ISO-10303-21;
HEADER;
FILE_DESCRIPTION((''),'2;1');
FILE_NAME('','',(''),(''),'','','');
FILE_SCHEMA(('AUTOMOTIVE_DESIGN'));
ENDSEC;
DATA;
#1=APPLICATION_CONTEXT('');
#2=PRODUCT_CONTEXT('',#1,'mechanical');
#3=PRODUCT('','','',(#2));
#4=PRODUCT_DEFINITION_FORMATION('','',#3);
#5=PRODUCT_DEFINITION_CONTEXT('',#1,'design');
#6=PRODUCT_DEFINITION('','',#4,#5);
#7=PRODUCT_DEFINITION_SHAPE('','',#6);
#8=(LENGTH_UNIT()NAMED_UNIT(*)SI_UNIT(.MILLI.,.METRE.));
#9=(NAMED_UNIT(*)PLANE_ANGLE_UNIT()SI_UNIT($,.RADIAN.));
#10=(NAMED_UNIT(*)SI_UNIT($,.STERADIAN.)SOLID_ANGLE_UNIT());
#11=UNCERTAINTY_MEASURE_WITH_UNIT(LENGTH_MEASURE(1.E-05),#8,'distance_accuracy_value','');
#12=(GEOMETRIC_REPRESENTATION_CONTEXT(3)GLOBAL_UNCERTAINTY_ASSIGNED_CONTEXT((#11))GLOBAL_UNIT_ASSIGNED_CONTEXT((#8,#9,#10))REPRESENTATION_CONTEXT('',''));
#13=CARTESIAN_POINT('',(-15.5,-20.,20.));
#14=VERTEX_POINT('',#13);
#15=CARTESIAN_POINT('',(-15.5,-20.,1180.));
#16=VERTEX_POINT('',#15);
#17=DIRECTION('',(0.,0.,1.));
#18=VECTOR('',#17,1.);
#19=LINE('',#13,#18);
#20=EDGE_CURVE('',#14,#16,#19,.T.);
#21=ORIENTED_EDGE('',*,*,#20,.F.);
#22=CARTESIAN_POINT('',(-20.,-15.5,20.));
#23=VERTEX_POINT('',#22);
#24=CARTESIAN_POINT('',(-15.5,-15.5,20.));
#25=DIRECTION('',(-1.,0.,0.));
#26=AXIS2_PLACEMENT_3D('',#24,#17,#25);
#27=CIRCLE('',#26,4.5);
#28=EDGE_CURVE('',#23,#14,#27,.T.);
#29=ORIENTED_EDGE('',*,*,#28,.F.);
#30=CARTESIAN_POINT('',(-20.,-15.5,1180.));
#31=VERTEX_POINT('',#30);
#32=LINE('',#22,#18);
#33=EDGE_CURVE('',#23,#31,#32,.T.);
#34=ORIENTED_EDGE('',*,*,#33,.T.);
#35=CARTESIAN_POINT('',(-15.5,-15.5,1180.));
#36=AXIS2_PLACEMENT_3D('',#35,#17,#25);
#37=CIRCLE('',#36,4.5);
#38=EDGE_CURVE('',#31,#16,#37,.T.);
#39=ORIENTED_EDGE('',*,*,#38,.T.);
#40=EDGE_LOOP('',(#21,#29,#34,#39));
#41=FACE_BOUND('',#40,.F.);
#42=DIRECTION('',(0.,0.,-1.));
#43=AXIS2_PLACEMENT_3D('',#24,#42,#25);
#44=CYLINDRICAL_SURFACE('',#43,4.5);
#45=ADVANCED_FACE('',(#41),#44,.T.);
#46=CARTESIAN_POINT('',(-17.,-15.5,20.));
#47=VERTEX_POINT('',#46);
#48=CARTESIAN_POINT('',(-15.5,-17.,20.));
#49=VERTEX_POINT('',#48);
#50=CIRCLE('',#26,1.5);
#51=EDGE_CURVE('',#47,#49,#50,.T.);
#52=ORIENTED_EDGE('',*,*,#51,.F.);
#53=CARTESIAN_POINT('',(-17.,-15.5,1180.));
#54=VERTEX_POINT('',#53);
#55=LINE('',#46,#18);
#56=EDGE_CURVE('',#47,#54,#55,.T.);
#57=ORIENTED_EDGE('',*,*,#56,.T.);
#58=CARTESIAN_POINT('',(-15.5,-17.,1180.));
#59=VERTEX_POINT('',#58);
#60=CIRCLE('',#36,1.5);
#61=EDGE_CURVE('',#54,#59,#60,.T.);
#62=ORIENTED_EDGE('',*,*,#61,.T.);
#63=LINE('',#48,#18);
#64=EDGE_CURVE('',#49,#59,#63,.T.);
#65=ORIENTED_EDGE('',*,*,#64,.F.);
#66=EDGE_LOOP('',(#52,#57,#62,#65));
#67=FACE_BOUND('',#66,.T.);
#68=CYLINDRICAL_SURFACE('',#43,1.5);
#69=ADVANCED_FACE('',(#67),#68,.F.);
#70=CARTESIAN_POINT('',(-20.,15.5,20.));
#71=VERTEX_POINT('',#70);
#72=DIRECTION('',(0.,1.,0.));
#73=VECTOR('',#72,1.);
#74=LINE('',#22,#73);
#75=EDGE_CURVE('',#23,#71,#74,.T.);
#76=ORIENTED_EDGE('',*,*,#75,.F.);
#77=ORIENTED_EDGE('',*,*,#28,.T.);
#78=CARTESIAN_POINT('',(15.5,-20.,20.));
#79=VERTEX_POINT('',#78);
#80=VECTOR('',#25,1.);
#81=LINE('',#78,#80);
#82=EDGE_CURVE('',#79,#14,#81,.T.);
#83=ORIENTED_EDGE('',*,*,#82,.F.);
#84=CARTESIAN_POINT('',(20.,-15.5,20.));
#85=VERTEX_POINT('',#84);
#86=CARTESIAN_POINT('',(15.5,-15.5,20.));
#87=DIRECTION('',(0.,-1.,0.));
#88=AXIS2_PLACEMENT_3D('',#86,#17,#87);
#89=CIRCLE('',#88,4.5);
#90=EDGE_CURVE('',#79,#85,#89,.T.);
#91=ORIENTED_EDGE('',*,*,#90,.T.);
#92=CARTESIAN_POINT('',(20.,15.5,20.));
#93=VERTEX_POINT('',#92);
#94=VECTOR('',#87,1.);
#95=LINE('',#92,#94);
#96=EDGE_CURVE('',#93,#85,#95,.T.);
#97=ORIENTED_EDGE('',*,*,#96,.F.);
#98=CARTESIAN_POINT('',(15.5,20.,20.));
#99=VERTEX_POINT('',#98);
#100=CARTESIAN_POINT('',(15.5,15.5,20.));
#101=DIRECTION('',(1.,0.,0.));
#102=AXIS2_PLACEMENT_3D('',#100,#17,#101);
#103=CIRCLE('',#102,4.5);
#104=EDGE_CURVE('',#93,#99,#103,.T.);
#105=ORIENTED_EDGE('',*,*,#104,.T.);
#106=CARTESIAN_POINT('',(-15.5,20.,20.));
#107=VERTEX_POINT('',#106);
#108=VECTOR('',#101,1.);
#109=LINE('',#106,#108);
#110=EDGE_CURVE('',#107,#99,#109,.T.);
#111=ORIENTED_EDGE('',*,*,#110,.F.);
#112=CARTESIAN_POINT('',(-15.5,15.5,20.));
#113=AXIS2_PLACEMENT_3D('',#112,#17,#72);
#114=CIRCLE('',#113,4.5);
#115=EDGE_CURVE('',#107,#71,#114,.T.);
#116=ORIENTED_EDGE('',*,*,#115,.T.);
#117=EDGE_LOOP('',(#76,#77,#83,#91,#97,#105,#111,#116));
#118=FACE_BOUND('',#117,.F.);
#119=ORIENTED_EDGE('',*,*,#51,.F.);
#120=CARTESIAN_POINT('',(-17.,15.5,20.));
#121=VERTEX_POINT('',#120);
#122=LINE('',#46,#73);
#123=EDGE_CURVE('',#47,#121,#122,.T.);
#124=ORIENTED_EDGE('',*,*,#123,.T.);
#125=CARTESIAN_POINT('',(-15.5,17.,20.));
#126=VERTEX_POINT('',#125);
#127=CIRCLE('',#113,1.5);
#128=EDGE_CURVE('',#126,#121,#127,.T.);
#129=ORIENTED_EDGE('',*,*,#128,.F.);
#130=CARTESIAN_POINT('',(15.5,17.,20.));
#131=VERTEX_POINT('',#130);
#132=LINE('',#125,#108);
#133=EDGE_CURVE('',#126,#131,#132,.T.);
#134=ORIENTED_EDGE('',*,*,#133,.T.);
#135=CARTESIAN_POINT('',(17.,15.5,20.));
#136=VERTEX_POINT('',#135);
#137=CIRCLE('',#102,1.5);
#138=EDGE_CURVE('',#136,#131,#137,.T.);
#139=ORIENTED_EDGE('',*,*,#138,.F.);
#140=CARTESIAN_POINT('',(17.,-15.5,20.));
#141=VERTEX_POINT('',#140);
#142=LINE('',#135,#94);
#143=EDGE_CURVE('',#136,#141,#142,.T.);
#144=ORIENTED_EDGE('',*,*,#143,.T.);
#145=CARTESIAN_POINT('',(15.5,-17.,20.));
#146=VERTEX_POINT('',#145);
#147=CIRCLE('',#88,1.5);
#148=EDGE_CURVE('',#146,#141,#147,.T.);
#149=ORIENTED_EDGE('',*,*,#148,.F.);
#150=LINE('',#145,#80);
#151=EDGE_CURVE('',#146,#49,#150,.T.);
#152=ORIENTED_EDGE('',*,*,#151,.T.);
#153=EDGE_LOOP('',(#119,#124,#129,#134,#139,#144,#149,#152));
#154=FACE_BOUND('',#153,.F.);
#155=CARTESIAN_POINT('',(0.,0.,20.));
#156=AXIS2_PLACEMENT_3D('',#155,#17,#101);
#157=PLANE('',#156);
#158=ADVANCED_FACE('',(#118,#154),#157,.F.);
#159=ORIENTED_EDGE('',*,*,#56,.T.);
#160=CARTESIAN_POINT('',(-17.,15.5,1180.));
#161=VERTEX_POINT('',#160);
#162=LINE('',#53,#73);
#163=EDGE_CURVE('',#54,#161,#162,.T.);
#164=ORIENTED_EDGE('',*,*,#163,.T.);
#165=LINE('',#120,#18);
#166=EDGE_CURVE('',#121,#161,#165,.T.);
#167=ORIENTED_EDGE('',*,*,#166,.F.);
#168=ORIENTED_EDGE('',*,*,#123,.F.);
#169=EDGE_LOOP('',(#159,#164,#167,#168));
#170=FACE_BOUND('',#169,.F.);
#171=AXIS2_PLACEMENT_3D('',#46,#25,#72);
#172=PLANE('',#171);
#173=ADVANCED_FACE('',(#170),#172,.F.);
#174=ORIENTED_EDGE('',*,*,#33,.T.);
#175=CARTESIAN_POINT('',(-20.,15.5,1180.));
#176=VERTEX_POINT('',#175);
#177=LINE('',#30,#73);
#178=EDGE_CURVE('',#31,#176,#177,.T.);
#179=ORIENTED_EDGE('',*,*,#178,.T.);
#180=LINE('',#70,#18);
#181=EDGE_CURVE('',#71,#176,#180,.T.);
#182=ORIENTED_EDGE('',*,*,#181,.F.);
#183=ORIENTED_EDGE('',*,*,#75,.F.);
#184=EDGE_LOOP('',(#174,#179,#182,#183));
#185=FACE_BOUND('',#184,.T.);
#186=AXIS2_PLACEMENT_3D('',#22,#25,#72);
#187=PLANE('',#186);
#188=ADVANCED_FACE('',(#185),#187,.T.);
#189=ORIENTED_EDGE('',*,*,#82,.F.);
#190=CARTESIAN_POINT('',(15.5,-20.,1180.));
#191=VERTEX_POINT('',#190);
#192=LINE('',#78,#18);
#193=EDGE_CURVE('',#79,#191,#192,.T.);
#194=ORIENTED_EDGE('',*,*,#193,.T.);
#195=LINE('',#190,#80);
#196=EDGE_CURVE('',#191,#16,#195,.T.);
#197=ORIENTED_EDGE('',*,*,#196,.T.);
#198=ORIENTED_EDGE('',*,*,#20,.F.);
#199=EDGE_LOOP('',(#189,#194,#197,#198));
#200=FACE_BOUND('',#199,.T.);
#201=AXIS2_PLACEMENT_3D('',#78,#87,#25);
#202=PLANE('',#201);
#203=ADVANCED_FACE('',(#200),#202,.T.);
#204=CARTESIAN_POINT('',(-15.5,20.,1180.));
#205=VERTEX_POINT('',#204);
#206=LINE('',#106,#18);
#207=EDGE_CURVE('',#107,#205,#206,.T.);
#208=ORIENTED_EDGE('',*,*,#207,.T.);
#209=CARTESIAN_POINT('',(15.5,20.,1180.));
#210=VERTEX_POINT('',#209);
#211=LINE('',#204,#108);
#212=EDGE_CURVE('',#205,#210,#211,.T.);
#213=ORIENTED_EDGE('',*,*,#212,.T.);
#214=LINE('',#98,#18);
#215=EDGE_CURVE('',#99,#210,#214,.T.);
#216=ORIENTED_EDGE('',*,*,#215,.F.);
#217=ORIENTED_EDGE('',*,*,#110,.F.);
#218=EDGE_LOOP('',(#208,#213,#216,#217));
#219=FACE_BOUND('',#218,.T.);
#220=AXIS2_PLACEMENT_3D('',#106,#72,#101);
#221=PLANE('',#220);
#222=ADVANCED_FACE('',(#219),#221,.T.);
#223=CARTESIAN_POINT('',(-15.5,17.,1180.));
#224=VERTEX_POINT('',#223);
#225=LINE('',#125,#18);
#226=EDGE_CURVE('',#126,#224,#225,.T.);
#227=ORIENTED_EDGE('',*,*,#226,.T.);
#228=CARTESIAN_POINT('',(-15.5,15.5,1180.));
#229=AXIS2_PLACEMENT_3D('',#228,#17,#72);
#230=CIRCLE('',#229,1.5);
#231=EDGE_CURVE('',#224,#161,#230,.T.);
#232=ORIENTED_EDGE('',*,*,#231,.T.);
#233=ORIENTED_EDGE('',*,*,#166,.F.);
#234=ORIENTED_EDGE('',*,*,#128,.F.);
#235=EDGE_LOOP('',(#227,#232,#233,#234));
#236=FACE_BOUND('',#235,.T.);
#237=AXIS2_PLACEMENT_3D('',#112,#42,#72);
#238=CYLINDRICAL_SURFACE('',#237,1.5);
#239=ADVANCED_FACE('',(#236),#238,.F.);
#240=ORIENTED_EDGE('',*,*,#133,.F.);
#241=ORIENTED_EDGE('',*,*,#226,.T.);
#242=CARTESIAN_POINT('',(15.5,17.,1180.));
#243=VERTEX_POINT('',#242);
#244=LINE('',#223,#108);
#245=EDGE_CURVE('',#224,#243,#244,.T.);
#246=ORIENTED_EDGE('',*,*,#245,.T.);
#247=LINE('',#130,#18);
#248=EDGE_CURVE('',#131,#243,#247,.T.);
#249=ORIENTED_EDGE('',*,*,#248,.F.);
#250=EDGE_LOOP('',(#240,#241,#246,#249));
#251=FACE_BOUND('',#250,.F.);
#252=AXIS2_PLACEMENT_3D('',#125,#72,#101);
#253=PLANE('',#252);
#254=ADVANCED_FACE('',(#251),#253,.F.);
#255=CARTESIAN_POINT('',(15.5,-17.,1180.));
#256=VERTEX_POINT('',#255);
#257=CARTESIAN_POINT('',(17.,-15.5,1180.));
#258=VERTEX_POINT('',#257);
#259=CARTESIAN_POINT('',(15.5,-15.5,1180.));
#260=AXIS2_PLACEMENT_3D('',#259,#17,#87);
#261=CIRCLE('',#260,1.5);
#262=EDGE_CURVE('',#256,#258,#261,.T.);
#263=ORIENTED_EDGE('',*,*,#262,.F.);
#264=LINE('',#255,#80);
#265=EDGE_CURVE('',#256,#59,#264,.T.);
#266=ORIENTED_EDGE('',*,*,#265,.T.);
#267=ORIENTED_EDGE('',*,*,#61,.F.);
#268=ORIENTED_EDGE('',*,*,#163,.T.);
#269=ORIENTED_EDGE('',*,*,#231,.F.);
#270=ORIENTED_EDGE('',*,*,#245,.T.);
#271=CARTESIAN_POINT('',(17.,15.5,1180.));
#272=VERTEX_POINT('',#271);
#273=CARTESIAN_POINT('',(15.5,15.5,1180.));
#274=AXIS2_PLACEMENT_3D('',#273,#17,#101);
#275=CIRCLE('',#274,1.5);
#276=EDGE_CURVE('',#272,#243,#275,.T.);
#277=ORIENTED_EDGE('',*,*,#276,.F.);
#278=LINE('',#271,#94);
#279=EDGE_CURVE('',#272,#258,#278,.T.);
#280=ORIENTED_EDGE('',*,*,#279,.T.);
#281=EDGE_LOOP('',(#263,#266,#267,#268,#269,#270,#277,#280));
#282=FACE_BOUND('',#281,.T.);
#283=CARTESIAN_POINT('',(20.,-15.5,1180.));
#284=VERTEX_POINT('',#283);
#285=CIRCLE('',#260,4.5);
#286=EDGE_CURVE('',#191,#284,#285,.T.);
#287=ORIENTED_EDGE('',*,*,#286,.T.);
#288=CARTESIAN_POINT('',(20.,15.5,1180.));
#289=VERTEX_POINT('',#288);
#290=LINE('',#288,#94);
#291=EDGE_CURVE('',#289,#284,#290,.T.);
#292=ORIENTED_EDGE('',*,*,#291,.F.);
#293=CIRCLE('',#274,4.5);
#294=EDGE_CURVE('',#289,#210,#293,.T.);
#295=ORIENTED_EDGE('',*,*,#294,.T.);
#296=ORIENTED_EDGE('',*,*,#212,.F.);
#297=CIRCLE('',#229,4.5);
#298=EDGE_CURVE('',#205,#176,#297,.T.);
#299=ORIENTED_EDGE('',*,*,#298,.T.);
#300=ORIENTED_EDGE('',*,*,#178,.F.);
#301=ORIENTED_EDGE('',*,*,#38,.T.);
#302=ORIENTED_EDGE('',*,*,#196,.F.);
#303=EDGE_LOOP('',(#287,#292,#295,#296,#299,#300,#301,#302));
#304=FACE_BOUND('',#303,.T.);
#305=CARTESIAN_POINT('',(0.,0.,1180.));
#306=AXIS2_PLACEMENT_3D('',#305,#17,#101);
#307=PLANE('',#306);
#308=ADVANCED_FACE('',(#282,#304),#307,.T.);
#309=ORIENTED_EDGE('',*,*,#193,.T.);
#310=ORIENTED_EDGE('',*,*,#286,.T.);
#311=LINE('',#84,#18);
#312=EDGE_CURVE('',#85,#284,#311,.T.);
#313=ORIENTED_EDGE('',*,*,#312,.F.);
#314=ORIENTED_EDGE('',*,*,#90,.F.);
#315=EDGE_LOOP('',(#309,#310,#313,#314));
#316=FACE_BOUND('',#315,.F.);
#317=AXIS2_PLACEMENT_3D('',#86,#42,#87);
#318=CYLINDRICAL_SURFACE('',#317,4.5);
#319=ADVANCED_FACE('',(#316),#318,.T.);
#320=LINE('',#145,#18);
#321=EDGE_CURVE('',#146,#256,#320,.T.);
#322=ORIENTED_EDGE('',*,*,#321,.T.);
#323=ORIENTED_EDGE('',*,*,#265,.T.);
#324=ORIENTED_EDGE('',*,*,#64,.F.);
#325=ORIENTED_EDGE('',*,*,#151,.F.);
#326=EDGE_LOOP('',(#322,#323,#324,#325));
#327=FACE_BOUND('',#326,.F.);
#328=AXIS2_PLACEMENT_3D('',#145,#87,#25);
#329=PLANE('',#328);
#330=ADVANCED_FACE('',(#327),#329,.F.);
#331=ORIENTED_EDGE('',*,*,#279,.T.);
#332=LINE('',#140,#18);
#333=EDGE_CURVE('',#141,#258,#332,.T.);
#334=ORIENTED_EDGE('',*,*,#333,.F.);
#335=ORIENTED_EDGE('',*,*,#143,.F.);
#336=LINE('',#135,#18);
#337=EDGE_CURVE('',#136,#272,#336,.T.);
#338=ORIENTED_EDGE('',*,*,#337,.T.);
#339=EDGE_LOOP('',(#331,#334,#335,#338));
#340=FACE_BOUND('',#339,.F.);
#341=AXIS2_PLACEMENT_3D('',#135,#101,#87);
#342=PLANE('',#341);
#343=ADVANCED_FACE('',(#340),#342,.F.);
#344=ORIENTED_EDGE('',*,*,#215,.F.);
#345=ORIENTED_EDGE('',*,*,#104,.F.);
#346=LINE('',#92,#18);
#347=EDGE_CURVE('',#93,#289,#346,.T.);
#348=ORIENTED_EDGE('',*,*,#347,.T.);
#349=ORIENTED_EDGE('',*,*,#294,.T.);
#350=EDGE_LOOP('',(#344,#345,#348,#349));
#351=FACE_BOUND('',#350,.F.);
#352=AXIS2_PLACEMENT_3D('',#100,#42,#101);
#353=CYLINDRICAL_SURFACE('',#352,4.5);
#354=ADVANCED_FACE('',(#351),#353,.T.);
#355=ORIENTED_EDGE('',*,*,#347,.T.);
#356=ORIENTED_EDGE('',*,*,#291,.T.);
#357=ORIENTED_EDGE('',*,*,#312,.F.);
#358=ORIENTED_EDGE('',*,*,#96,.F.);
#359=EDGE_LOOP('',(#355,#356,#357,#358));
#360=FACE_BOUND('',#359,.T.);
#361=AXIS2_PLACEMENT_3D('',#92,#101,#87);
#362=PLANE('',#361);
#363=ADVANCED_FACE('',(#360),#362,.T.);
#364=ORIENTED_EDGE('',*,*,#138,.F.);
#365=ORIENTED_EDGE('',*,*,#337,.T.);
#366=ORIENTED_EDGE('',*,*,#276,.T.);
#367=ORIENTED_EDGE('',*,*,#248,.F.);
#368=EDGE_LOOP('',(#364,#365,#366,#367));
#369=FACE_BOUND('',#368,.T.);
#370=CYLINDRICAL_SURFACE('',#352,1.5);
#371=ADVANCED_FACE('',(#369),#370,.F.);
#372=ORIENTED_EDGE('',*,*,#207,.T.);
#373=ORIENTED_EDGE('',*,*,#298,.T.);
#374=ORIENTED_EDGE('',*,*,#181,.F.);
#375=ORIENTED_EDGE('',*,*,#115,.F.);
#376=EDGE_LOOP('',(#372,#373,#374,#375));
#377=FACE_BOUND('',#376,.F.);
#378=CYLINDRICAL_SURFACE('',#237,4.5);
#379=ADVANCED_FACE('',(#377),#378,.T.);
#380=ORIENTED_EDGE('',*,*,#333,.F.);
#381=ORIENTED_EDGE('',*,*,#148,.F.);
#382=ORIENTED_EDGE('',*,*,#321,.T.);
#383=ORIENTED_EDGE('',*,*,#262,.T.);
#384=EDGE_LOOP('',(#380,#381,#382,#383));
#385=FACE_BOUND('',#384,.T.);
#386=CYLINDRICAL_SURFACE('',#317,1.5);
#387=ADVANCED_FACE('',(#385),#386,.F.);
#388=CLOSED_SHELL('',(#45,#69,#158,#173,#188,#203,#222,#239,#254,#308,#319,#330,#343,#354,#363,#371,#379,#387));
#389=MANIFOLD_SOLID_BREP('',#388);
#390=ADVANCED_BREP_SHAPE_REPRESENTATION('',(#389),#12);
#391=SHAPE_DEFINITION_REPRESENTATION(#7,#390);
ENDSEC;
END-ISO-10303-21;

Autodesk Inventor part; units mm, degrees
ref_plane "Start Plane" through (0, 0, 20) normal (0, 0, 1) x (1, 0, 0)
ref_plane "End Plane" through (0, 0, 1180) normal (0, 0, 1) x (1, 0, 0)
sketch "Sketch" plane through (0, 0, 0) normal (0, 0, 1) x (1, 0, 0)
  line L0 (-20, -15.5) -> (-20, 15.5)
  line L1 (-15.5, 20) -> (15.5, 20)
  line L2 (20, 15.5) -> (20, -15.5)
  line L3 (15.5, -20) -> (-15.5, -20)
  arc A0 (-20, -15.5) -> (-15.5, -20) centre (-15.5, -15.5) ccw
  arc A1 (-15.5, 20) -> (-20, 15.5) centre (-15.5, 15.5) ccw
  arc A2 (20, 15.5) -> (15.5, 20) centre (15.5, 15.5) ccw
  arc A3 (15.5, -20) -> (20, -15.5) centre (15.5, -15.5) ccw
  arc A4 (-15.5, 17) -> (-17, 15.5) centre (-15.5, 15.5) ccw
  line L4 (-15.5, 17) -> (15.5, 17)
  arc A5 (17, 15.5) -> (15.5, 17) centre (15.5, 15.5) ccw
  line L5 (17, 15.5) -> (17, -15.5)
  arc A6 (15.5, -17) -> (17, -15.5) centre (15.5, -15.5) ccw
  line L6 (15.5, -17) -> (-15.5, -17)
  arc A7 (-17, -15.5) -> (-15.5, -17) centre (-15.5, -15.5) ccw
  line L7 (-17, -15.5) -> (-17, 15.5)
  line L8 (0, 29.3048) -> (0, -29.3048) construction
  line L9 (-29.3048, 0) -> (29.3048, 0) construction
  dimension "d7" = 4.5
  dimension "d10" = 40
  dimension "d11" = 40
  dimension "d12" = 3
  dimension "d15" = 20
  dimension "d16" = 20
extrude "Body" add sketch "Sketch" along normal up to surface (1160 mm away) from surface at 20
sketch "Sketch3" plane through (0, 0, 0) normal (0, 0, 1) x (1, 0, 0)
  line L0 (0, 0) -> (10, 0)
ref_plane "Work Plane3" through (0, 0, 0) normal (0, -1, 0) x (1, 0, 0)
ref_plane "Work Plane4" through (-1600, -15.5, 20) normal (0, 0, -1) x (-1, 0, 0)
split "Split1" plane through (-1600, -15.5, 20) removes the side toward (0, 0, -1)
ref_plane "Work Plane5" through (-1500, -984.5, 1180) normal (0, 0, 1) x (1, 0, 0)
split "Split2" plane through (-1500, -984.5, 1180) removes the side toward (0, 0, 1)
sketch "Sketch4" plane through (0, 0, 0) normal (0, -1, 0) x (1, 0, 0)
  line L0 (-2, 20) -> (12, 20) projected
  line L1 (-2, 1180) -> (12, 1180) projected
  dimension "d18" = 1160
equation "\"d7\" = G_IR"
equation "\"d10\" = G_H"
equation "\"d11\" = G_W"
equation "\"d12\" = G_T"
equation "\"d15\" = 0.5 * d10"
equation "\"d16\" = 0.5 * d11"
equation "\"d3\" = G_L"
equation "\"G_W\" = 40"
equation "\"G_H\" = 40"
equation "\"G_T\" = 3"
equation "\"G_IR\" = 4.5"
equation "\"G_L\" = d18"
properties part number "ISO 12633-2 - 40x40x3 - 1160" material "Steel, Mild"
